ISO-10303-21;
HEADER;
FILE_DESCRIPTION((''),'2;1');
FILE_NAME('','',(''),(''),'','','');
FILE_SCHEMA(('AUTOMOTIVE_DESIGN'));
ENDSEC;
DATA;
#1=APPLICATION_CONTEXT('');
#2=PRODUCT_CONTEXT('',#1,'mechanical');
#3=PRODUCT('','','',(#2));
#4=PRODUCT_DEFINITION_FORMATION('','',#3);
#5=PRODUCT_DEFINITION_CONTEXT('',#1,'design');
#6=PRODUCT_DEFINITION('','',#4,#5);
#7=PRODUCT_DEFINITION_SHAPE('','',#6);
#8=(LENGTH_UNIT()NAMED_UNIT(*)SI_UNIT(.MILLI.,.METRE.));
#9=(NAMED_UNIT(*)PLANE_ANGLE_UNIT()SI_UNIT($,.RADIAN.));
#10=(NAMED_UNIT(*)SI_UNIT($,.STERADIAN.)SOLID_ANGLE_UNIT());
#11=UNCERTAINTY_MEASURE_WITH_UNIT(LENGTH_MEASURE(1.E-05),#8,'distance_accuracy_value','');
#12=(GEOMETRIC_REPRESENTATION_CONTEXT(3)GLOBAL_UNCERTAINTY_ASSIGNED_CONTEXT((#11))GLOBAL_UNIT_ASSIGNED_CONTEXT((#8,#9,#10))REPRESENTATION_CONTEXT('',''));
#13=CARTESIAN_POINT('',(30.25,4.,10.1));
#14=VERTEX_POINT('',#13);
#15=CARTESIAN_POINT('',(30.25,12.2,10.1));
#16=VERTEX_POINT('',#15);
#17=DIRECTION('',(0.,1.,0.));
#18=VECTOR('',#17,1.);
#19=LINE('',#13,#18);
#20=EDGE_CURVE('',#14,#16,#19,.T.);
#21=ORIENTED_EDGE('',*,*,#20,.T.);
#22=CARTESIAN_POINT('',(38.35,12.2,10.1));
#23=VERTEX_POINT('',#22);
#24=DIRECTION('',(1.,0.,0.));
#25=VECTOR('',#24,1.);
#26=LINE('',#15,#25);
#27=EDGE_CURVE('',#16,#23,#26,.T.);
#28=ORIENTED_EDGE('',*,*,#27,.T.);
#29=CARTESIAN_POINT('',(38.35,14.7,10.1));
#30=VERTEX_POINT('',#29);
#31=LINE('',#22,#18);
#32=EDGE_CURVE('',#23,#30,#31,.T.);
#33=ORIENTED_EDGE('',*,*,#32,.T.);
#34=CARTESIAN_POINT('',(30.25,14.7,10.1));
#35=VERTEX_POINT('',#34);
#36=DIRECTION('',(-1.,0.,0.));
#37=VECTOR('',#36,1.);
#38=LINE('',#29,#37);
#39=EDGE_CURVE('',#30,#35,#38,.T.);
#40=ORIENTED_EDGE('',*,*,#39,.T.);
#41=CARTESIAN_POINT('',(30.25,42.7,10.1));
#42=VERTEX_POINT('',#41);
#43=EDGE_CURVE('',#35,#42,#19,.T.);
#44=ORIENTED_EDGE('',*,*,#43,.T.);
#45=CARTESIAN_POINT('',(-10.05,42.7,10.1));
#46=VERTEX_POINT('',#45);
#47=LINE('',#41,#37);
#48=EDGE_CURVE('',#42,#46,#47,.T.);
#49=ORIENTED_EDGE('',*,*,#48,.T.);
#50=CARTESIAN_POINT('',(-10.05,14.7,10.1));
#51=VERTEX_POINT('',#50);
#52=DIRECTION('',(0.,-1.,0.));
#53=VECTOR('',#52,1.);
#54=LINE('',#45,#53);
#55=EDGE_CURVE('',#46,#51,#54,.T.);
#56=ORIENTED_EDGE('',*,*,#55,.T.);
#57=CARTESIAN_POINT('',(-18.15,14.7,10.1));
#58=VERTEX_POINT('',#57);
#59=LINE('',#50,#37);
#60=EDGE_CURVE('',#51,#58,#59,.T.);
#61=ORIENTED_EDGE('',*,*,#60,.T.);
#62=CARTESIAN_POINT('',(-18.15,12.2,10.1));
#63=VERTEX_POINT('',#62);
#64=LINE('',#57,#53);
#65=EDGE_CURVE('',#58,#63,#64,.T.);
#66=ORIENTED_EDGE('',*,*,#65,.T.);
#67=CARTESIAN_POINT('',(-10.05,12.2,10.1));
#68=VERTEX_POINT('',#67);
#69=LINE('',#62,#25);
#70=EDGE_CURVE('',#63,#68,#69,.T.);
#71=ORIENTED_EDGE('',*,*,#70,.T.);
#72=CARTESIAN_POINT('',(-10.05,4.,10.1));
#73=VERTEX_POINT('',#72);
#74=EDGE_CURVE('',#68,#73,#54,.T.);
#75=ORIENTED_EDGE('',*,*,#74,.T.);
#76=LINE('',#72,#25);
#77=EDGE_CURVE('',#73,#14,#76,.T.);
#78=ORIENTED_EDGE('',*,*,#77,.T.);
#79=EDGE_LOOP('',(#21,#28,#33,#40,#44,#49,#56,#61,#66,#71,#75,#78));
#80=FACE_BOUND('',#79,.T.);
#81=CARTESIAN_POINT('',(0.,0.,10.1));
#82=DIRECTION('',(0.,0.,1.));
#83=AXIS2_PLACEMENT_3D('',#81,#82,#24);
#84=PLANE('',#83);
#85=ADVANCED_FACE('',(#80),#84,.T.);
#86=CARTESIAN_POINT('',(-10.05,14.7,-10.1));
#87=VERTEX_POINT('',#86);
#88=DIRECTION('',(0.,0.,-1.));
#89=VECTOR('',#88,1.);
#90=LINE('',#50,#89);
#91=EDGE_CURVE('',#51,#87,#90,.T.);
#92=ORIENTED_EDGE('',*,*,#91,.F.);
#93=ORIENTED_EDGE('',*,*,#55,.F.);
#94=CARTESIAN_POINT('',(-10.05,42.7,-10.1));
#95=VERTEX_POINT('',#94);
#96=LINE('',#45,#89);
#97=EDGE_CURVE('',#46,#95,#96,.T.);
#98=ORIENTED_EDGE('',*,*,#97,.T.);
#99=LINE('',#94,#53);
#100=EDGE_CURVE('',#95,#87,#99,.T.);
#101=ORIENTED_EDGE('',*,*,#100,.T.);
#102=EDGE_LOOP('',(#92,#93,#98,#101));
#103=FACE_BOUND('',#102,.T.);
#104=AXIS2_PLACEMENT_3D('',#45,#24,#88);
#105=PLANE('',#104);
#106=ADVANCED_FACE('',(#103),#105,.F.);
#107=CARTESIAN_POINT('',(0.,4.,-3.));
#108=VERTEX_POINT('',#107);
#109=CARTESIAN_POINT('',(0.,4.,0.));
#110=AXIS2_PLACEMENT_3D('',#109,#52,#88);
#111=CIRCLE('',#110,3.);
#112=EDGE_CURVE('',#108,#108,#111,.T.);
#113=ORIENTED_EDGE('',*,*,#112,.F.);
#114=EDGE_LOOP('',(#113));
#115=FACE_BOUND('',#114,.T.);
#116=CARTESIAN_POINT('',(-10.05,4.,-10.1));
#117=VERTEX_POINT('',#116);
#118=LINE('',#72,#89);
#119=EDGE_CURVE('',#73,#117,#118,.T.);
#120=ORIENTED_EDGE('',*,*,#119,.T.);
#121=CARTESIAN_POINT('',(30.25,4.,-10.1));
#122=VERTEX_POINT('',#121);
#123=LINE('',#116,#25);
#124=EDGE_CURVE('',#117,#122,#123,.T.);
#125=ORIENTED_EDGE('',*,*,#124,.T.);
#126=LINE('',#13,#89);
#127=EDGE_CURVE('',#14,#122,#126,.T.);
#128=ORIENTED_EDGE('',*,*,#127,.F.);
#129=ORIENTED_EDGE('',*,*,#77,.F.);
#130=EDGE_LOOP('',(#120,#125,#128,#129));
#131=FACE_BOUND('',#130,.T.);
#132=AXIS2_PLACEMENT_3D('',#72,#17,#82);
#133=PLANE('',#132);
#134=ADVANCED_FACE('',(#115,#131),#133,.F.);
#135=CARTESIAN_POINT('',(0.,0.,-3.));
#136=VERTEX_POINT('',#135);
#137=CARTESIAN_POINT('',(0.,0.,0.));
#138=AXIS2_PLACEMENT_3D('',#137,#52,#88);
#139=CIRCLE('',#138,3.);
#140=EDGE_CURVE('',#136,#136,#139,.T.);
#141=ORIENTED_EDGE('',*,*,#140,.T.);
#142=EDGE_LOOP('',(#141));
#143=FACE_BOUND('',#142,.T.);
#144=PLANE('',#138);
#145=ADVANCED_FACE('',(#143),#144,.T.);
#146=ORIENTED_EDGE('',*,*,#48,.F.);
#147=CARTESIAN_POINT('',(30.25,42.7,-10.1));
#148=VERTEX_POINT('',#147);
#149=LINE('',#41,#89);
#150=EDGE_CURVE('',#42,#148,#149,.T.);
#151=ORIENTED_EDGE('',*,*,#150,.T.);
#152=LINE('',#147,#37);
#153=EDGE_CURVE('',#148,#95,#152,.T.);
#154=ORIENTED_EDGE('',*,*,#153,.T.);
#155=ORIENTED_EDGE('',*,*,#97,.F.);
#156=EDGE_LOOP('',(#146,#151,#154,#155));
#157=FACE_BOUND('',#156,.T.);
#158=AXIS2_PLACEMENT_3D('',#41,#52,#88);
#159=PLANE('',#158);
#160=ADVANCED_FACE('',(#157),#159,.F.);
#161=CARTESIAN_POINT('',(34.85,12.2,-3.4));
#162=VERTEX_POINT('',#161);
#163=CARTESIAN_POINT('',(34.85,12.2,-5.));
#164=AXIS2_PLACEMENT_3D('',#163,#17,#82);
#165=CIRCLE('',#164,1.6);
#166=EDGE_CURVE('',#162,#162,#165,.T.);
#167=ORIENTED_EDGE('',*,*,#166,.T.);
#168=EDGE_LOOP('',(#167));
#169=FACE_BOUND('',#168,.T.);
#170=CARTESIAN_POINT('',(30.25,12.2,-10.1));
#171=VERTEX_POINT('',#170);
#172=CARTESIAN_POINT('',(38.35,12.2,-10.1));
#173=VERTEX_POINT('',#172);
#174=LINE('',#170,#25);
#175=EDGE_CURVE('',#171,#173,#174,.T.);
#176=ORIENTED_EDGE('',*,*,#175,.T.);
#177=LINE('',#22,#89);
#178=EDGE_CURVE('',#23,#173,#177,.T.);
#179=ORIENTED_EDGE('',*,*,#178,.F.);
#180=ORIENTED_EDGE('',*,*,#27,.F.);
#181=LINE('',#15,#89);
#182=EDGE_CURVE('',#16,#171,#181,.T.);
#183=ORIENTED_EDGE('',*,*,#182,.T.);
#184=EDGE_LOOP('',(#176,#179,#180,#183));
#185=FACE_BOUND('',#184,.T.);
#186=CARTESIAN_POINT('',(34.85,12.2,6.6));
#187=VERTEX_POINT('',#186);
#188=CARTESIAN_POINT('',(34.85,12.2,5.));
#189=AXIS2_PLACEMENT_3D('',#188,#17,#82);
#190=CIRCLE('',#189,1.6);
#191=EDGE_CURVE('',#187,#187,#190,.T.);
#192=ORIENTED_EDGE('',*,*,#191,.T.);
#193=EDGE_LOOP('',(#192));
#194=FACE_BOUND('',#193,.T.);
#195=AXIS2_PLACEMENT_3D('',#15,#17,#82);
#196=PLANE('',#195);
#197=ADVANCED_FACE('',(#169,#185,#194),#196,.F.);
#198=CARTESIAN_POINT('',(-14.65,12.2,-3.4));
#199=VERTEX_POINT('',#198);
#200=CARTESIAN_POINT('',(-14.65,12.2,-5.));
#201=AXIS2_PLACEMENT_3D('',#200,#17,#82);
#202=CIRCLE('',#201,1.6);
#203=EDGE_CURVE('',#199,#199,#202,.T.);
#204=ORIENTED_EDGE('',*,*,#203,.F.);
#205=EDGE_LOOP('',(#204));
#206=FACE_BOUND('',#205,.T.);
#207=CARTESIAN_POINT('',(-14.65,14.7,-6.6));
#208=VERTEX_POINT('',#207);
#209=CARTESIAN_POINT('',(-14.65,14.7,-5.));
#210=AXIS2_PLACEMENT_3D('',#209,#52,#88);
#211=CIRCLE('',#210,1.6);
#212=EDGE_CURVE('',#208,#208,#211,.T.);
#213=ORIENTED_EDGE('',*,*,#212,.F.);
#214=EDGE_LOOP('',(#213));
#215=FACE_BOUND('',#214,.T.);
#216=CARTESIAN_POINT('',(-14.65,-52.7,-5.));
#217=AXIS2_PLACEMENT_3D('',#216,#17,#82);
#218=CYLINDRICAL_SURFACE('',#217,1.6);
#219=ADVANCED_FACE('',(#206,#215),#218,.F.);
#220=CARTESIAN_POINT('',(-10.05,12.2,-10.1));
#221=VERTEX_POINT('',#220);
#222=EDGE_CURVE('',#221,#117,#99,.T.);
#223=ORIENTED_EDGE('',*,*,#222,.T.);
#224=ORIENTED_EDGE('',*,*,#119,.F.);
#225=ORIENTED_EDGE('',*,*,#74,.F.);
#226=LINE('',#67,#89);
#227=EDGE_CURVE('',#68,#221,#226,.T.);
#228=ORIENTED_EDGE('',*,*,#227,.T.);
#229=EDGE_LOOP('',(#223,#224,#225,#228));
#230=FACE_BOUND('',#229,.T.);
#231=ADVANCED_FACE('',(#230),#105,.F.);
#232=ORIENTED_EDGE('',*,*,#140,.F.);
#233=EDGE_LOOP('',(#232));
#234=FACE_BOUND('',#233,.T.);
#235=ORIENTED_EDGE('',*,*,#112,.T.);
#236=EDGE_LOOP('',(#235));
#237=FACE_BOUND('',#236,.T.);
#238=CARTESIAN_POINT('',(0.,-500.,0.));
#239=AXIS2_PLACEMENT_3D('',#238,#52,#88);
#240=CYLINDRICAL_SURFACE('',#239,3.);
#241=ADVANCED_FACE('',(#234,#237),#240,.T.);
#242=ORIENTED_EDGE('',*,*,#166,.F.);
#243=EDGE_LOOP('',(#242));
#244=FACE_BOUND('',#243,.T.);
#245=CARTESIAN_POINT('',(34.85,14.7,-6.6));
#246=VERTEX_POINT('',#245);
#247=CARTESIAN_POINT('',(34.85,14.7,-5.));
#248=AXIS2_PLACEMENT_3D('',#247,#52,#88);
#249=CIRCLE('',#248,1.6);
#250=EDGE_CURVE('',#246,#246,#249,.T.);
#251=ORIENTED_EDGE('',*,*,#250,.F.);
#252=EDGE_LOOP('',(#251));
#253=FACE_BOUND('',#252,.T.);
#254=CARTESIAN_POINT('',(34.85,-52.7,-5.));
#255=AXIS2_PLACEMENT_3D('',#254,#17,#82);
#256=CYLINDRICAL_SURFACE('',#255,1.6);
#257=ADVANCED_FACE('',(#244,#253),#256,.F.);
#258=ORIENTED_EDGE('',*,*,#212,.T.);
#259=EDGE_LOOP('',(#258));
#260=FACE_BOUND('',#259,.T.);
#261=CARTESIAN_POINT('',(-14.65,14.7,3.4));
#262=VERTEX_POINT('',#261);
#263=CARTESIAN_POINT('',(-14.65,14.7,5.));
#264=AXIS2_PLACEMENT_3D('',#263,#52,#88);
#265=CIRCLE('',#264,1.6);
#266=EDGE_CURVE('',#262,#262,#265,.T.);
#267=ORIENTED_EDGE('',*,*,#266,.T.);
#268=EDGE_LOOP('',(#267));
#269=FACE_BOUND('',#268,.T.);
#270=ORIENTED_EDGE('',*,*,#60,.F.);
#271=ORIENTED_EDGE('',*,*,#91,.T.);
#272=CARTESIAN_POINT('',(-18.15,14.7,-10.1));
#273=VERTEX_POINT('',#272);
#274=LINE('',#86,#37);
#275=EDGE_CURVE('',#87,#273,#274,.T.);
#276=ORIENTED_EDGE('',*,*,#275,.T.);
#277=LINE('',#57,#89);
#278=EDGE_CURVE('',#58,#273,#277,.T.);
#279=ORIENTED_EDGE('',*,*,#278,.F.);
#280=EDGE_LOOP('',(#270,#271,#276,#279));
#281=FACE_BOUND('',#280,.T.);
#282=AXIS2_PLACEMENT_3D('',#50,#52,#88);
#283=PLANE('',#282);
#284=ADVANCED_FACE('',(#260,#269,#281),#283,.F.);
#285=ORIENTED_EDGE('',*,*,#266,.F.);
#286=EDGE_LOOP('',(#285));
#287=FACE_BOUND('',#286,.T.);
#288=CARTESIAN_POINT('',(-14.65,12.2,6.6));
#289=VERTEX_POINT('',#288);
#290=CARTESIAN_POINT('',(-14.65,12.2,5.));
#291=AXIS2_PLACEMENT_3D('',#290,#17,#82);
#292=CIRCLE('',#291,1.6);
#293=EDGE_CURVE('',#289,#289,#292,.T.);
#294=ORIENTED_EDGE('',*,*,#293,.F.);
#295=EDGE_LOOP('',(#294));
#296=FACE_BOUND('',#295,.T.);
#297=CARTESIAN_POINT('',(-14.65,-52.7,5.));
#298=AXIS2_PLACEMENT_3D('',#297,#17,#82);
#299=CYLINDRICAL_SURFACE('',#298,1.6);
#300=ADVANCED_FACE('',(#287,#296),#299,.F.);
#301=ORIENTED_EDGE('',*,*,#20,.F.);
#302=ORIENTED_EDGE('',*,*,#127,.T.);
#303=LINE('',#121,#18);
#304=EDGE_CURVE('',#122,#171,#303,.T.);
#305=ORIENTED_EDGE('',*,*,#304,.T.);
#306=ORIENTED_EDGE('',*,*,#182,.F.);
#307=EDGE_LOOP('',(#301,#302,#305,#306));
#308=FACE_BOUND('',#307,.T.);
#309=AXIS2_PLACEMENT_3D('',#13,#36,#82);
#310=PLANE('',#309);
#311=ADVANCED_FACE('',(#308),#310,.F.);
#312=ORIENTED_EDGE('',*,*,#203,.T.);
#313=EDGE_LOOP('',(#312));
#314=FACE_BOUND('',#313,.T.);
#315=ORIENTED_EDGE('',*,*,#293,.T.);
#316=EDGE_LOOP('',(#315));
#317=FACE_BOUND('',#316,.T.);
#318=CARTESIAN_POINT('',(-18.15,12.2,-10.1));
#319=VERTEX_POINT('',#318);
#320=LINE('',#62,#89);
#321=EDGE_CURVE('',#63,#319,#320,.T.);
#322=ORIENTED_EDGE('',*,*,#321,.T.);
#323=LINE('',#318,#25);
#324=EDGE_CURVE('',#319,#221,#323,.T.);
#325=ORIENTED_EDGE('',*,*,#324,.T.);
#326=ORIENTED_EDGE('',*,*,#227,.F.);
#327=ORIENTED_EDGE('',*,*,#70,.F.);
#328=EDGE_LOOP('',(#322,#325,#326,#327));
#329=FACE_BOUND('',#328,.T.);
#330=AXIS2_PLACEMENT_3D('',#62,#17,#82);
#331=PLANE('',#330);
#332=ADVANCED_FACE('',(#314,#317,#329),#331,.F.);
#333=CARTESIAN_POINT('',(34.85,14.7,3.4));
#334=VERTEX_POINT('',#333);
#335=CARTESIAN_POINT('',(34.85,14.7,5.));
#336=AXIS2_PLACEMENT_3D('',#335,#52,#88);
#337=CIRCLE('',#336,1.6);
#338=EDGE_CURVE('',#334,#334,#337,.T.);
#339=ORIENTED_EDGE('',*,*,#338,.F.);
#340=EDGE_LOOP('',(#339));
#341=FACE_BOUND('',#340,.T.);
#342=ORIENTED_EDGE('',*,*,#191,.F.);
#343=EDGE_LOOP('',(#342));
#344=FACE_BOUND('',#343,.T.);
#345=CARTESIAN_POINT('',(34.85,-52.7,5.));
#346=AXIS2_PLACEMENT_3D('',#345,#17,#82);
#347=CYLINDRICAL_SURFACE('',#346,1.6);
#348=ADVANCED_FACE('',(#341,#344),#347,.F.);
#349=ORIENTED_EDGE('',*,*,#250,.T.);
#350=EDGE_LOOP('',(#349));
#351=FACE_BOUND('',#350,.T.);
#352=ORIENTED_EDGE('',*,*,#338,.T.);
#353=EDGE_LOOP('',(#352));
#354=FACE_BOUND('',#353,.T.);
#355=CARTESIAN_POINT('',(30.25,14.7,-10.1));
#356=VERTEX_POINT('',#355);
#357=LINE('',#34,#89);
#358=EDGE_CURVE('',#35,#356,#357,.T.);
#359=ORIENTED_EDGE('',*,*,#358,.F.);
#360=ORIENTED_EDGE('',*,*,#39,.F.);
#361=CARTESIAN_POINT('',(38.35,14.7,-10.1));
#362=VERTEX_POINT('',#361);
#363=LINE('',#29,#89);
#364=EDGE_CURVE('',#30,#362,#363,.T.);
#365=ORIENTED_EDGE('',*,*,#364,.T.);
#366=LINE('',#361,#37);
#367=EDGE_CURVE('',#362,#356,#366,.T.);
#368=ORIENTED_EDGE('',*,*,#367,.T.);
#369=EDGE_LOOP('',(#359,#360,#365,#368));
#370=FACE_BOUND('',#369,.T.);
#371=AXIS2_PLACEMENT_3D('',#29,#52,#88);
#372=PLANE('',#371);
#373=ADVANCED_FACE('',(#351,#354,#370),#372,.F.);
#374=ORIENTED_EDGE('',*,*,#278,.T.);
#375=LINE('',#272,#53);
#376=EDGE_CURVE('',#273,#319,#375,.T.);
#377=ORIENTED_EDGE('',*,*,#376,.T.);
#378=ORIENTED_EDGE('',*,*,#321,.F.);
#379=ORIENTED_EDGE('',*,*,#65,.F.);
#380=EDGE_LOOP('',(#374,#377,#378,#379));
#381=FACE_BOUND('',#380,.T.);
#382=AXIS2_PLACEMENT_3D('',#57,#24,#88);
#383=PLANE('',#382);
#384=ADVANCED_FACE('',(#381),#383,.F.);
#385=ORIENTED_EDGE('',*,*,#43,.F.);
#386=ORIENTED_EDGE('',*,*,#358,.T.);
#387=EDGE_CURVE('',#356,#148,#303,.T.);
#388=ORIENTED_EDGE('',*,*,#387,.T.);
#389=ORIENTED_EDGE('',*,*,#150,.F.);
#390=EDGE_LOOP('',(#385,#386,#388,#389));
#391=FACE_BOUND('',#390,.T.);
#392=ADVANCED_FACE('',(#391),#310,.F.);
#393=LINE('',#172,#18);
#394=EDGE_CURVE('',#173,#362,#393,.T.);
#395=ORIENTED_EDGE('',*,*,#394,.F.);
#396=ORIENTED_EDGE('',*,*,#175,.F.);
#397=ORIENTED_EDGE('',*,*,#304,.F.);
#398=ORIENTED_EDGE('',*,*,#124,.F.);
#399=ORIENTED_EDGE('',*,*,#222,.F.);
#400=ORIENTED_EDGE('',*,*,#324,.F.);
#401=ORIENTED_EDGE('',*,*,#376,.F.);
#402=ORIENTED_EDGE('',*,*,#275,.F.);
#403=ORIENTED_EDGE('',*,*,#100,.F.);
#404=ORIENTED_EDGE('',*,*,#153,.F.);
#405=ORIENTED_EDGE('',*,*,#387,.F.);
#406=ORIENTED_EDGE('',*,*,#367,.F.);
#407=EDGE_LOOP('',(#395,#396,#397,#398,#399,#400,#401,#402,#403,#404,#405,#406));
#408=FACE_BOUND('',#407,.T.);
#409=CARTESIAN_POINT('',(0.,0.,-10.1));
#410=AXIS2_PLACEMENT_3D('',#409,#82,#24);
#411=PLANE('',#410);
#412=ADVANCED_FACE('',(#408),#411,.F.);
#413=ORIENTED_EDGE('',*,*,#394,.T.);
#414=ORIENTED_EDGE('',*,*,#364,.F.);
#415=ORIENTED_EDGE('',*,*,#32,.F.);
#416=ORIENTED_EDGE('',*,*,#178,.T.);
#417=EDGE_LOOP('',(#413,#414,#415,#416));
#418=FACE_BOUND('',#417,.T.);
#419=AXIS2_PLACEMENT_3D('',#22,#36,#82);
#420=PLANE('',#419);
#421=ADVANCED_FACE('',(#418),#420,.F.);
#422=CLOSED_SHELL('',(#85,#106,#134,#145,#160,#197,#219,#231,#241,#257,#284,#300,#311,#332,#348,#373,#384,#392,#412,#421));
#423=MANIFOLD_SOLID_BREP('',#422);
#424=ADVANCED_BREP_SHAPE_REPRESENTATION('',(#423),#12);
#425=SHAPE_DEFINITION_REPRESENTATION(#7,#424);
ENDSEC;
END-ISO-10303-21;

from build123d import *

# Parameters (mm, degrees)
CASE_SKETCH_W      = 40.3
CASE_SKETCH_H      = 38.7
CASE_2_DEPTH       = 10.1
TABS_SKETCH_W      = 8.1
TABS_SKETCH_H      = 2.5
TABS_DEPTH         = 10.1
SHAFT_SKETCH_W     = 3
SHAFT_SKETCH_H     = 4
TAB_HOLES_SKETCH_R = 1.6
TAB_HOLES_DEPTH    = 52.7


with BuildPart() as part:
    # Case Sketch → Case 2 (new, symmetric)
    with BuildSketch(Plane.XY):
        with Locations((10.1, 23.35)):
            Rectangle(CASE_SKETCH_W, CASE_SKETCH_H)
    extrude(amount=CASE_2_DEPTH, both=True)

    # Tabs Sketch → Tabs (add, symmetric)
    with BuildSketch(Plane.XY):
        with Locations((-14.1, 13.45)):
            Rectangle(TABS_SKETCH_W, TABS_SKETCH_H)
        with Locations((34.3, 13.45)):
            Rectangle(TABS_SKETCH_W, TABS_SKETCH_H)
    extrude(amount=TABS_DEPTH, both=True)

    # Shaft Sketch → Shaft (revolve)
    with BuildSketch(Plane.XY):
        with Locations((1.5, 2)):
            Rectangle(SHAFT_SKETCH_W, SHAFT_SKETCH_H)
    revolve(axis=Axis((0, -500, 0), (0, 1, 0)))

    # Tab Holes Sketch → Tab Holes (cut, symmetric)
    with BuildSketch(Plane(origin=(0, 0, 0), x_dir=(1, 0, 0), z_dir=(0, 1, 0))):
        with Locations((-14.65, -5)):
            Circle(TAB_HOLES_SKETCH_R)
        with Locations((-14.65, 5)):
            Circle(TAB_HOLES_SKETCH_R)
        with Locations((34.85, -5)):
            Circle(TAB_HOLES_SKETCH_R)
        with Locations((34.85, 5)):
            Circle(TAB_HOLES_SKETCH_R)
    extrude(amount=TAB_HOLES_DEPTH, both=True, mode=Mode.SUBTRACT)


solid = part.part
